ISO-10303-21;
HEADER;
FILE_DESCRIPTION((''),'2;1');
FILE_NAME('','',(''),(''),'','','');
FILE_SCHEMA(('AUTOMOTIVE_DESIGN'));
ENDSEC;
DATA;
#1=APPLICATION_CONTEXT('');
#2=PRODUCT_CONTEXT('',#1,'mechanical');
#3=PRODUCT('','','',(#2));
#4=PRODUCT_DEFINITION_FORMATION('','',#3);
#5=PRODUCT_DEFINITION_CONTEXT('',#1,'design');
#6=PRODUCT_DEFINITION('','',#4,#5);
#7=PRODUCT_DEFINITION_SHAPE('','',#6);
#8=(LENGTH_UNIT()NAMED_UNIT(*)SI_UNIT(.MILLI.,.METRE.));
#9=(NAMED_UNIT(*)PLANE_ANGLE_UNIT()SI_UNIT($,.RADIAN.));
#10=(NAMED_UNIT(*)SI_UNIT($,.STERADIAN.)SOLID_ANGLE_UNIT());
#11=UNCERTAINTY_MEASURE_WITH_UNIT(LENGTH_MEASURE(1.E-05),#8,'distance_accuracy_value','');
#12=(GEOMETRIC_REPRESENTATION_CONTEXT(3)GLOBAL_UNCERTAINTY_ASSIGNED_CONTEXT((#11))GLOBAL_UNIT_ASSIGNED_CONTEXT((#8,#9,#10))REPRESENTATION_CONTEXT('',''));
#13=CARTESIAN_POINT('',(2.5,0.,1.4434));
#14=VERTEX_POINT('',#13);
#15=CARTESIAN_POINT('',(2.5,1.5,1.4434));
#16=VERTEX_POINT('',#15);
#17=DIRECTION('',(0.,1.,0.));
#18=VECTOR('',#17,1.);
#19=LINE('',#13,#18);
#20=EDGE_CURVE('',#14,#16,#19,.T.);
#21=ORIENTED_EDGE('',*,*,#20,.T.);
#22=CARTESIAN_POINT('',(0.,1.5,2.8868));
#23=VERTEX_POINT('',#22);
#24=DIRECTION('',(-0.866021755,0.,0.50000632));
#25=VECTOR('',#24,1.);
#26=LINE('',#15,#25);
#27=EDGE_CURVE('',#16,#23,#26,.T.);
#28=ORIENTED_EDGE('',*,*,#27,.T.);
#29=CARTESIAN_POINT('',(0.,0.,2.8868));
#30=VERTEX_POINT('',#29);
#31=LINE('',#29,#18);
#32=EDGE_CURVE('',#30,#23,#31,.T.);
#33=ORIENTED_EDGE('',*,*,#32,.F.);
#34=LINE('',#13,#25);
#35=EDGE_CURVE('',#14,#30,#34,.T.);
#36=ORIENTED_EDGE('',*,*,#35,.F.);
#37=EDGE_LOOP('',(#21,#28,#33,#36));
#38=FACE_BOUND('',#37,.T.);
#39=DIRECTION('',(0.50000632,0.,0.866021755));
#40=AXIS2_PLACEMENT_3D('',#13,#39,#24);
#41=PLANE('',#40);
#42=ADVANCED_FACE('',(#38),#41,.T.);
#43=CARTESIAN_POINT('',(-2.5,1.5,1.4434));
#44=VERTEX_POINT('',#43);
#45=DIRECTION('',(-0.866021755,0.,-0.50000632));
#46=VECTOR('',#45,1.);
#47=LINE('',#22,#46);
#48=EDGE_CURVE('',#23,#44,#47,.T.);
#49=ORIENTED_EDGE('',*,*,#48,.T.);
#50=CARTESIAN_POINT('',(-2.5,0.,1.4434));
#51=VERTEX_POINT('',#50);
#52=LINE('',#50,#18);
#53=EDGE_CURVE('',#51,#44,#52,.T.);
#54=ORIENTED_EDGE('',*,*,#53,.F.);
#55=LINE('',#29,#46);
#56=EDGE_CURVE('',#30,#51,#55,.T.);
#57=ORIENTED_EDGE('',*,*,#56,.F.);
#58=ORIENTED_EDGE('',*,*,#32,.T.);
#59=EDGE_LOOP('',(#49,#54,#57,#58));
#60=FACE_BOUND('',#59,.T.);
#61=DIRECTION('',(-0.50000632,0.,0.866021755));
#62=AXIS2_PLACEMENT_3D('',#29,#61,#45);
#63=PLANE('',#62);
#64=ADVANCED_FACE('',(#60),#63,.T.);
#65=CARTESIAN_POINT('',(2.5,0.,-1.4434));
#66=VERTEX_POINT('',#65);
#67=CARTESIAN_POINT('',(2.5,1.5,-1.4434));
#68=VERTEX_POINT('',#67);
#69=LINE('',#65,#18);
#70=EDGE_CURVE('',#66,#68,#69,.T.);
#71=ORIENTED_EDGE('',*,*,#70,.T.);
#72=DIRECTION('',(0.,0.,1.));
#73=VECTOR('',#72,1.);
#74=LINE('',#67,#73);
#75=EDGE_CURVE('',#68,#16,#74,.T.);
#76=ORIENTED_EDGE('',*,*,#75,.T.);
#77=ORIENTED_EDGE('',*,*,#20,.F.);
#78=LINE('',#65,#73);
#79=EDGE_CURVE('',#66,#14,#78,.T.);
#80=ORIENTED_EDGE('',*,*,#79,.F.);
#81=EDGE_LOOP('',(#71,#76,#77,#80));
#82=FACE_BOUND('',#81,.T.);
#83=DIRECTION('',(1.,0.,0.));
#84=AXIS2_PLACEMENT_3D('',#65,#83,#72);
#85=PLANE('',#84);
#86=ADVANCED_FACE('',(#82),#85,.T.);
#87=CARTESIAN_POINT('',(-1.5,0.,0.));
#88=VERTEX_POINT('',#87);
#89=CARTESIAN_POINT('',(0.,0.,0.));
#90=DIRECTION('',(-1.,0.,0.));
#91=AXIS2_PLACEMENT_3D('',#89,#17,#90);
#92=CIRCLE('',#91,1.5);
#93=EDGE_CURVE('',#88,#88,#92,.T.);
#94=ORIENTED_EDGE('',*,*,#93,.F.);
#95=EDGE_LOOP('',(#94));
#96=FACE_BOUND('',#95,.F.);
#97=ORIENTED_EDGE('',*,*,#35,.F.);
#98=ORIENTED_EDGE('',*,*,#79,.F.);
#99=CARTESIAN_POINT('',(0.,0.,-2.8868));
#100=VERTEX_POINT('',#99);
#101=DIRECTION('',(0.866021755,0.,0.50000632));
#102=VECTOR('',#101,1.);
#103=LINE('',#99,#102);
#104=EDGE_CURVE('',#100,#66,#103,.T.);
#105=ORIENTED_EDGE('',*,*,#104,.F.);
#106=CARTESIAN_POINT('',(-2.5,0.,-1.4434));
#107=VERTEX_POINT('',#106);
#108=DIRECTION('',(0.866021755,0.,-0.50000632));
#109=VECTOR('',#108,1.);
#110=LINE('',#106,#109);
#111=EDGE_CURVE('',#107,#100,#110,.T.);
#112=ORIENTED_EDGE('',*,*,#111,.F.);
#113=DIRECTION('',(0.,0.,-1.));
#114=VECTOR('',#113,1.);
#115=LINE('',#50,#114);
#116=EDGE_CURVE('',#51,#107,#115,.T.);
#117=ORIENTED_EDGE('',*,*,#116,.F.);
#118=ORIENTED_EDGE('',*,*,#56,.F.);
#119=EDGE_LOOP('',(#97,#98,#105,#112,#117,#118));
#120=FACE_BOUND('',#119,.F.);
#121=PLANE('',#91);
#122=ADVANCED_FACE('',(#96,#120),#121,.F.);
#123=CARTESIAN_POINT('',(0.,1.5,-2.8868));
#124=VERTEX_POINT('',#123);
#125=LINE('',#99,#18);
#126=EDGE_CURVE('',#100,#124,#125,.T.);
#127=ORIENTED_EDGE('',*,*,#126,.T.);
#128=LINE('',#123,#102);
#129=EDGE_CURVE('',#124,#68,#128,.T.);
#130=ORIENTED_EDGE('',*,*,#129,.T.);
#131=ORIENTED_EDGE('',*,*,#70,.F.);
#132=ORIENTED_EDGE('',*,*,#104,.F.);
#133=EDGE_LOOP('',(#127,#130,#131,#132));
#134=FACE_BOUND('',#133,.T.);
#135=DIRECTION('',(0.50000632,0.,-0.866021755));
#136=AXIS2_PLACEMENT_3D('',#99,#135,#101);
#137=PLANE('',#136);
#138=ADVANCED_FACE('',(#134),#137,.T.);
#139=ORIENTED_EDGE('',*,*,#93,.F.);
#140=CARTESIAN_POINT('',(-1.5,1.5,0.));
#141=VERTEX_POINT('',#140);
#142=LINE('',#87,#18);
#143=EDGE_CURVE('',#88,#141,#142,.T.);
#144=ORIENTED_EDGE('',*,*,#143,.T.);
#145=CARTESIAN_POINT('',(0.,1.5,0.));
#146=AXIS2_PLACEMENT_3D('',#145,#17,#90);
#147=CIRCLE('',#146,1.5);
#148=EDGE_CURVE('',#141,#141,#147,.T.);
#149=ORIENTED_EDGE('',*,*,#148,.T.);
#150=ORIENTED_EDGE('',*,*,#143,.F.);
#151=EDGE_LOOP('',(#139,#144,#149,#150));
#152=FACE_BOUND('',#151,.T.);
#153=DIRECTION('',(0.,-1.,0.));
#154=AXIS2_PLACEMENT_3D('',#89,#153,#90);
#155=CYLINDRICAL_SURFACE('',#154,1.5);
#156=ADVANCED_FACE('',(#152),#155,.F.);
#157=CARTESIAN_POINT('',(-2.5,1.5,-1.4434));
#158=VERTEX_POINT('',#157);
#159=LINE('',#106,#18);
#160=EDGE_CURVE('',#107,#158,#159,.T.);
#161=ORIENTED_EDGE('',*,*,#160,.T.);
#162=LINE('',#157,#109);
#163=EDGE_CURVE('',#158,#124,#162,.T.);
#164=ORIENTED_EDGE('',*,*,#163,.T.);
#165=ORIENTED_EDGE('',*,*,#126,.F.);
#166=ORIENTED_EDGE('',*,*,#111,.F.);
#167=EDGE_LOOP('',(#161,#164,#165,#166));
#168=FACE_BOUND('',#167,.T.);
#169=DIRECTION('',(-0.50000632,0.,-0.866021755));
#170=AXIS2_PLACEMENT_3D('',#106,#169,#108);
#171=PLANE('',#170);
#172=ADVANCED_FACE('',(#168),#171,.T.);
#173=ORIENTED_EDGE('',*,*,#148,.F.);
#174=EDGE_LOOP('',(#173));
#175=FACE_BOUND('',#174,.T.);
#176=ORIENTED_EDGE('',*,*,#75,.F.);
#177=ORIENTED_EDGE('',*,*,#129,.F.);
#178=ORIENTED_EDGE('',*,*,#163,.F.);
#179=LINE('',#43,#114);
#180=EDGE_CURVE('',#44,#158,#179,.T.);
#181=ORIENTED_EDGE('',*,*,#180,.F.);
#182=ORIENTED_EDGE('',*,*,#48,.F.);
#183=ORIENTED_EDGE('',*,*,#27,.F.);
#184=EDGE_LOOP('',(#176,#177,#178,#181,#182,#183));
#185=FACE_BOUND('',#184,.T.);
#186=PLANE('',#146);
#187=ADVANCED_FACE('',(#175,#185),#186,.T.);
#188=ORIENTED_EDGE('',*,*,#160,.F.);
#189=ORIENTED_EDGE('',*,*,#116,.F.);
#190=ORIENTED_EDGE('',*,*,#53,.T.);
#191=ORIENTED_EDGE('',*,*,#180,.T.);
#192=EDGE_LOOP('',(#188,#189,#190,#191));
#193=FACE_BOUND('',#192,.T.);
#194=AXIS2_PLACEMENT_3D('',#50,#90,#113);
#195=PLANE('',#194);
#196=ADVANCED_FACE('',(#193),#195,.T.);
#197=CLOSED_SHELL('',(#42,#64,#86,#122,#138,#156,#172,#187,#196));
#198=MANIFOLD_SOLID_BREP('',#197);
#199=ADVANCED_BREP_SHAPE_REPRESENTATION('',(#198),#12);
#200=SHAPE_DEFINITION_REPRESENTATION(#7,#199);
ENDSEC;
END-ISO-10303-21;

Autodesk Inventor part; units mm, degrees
ref_plane "YZ Plane" through (0, 0, 0) normal (1, 0, 0) x (0, 1, 0)
ref_plane "XZ Plane" through (0, 0, 0) normal (0, 1, 0) x (-1, 0, 0)
ref_plane "XY Plane" through (0, 0, 0) normal (0, 0, 1) x (1, 0, 0)
sketch "Sketch1" plane through (0, 0, 0) normal (0, 1, 0) x (-1, 0, 0)
  circle A0 centre (0, 0) radius 1.5
  line L0 (0, -2.8868) -> (-2.5, -1.4434)
  line L1 (-2.5, -1.4434) -> (-2.5, 1.4434)
  line L2 (-2.5, 1.4434) -> (0, 2.8868)
  line L3 (0, 2.8868) -> (2.5, 1.4434)
  line L4 (2.5, 1.4434) -> (2.5, -1.4434)
  line L5 (2.5, -1.4434) -> (0, -2.8868)
  dimension "d0" = 3
  dimension "d1" = 5
extrude "Extrusion1" add sketch "Sketch1" along normal blind 1.5
thread "Thread1" size "M3x0.5" class "6H" standard "ANSI Metric M Profile" full length
properties part number "M3 Nut Nylon" material "Nylon 6"
